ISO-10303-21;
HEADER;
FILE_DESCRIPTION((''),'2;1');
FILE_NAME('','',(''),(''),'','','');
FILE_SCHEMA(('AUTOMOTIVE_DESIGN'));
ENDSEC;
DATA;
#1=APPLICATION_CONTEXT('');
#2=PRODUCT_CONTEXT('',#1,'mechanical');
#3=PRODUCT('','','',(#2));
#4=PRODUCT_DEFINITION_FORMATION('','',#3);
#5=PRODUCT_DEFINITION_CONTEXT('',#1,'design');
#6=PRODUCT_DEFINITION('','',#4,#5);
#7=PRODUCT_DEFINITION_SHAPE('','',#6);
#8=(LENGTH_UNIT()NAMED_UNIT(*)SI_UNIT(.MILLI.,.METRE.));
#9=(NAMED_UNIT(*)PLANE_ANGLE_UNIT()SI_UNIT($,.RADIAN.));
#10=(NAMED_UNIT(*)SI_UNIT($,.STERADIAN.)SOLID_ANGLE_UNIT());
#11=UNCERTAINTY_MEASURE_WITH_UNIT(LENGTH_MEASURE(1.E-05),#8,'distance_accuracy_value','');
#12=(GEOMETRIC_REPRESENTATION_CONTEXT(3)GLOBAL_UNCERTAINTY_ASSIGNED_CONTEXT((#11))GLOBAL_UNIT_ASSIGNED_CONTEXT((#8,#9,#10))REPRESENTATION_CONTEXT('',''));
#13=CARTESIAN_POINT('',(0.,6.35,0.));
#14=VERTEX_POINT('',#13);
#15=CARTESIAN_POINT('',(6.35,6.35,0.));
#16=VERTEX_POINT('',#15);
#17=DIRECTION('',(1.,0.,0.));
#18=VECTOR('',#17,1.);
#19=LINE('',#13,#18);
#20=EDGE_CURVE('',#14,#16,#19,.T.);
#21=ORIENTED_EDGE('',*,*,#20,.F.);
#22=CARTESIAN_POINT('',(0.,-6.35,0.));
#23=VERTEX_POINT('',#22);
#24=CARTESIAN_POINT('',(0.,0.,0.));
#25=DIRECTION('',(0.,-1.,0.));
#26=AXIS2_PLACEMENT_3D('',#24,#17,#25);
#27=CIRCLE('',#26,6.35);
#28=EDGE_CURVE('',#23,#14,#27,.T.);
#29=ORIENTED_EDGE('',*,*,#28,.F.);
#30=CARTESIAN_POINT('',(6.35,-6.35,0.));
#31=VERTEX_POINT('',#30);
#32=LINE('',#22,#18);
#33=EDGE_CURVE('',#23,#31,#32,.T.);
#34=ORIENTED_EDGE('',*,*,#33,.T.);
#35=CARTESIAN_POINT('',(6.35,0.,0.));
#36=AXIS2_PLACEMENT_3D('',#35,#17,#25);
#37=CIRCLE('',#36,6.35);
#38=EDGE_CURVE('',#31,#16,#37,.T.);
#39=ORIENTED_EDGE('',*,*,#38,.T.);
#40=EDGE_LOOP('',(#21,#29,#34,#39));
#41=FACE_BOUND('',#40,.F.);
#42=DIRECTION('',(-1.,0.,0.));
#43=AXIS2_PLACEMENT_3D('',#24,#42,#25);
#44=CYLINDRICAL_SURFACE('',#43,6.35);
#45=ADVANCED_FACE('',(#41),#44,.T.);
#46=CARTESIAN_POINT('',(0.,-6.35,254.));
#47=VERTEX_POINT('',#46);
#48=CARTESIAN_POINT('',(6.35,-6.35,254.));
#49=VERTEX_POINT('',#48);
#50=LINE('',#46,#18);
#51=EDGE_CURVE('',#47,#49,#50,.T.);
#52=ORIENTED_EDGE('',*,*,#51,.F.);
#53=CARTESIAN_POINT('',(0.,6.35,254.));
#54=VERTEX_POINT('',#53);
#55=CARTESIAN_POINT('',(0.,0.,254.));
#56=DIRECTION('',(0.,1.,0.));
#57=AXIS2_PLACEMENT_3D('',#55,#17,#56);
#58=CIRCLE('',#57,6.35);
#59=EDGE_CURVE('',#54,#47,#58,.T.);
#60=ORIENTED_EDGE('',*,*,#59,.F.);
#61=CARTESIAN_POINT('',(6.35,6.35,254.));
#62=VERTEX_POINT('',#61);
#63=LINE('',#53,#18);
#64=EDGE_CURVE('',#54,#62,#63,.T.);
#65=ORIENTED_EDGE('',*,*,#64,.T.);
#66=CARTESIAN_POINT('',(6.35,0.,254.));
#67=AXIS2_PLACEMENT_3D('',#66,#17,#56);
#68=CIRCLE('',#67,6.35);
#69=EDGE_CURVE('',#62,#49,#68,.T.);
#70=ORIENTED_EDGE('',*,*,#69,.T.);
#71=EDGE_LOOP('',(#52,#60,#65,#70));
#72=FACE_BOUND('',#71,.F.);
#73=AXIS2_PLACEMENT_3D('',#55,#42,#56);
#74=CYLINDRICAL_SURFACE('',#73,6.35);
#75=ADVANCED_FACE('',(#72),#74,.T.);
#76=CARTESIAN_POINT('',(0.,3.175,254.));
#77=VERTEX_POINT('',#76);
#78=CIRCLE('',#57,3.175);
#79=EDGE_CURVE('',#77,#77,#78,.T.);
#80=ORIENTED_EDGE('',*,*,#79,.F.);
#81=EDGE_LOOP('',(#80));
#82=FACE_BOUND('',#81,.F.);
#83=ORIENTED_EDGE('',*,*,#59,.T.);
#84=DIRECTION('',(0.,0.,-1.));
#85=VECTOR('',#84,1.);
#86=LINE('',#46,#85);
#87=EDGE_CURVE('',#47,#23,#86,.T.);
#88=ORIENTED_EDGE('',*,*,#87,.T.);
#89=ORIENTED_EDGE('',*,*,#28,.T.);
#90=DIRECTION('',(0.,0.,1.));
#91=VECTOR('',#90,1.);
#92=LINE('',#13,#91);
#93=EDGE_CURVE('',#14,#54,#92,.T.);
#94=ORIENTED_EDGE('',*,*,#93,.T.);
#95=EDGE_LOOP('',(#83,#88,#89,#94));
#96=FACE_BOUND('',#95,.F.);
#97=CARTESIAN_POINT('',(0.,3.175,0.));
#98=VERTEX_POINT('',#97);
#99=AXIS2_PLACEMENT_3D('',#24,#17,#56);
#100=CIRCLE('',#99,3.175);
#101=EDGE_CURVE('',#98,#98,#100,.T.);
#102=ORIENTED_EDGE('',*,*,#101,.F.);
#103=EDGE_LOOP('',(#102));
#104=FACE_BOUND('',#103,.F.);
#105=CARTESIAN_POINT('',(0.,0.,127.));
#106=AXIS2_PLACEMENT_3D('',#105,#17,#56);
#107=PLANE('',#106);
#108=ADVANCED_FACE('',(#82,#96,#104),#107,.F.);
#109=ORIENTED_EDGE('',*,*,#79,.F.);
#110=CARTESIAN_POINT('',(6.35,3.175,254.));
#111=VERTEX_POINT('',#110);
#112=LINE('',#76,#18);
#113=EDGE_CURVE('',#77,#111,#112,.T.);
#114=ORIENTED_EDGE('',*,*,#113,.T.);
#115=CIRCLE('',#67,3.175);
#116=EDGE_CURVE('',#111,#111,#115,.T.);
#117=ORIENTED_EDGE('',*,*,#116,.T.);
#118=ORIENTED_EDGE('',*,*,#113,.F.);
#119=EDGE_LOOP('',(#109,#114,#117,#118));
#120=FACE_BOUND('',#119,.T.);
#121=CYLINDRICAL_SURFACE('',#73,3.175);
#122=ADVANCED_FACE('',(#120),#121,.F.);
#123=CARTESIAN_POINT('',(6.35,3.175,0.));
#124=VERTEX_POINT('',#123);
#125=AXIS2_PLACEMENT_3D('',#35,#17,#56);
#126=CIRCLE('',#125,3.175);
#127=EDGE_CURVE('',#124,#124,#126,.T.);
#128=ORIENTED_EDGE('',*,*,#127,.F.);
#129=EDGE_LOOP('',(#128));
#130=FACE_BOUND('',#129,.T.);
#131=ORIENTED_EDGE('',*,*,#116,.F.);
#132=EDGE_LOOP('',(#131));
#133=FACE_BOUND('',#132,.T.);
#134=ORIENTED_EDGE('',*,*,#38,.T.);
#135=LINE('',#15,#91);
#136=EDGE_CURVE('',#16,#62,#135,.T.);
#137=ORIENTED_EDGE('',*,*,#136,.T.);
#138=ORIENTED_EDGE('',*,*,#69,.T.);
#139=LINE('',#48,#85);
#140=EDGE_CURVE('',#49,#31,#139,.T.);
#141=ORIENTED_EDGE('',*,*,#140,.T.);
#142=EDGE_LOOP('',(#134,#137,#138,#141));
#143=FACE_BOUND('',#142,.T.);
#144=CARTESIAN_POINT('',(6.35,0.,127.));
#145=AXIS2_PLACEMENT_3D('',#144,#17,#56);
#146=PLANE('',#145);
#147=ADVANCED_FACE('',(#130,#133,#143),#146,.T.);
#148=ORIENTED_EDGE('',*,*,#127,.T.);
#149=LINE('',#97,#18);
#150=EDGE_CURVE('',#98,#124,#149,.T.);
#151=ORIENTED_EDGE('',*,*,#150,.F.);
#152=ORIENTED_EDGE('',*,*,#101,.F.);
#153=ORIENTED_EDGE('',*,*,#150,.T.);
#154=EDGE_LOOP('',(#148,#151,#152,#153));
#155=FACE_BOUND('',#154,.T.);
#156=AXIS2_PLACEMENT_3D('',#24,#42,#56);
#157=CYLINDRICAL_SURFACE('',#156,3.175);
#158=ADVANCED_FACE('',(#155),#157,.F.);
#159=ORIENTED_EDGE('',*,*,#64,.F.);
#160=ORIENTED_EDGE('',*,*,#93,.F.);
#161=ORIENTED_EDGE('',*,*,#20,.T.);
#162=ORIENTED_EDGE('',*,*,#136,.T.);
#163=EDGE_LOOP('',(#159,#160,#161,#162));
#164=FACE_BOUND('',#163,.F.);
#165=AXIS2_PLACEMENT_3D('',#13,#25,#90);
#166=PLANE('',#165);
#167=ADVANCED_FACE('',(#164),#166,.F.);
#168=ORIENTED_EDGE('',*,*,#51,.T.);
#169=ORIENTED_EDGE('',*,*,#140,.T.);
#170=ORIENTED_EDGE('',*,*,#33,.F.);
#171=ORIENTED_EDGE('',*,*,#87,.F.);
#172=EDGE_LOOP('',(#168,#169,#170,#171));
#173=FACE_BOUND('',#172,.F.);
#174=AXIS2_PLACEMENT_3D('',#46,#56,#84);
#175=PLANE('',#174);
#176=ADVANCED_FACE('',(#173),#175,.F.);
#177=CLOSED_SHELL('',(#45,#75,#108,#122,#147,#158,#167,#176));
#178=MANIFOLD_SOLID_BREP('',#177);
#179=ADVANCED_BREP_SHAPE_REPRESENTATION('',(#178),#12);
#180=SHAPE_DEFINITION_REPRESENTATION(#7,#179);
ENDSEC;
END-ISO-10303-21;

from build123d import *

# Parameters (mm, degrees)
F0_R     = 3.175
F1_DEPTH = 6.35


with BuildPart() as f1:
    # F0 (on Right) → F1 (new body)
    with BuildSketch(Plane.YZ):
        with BuildLine():
            Line((6.35, 0), (6.35, 254))
            ThreePointArc((6.35, 254), (0, 260.35), (-6.35, 254))
            Line((-6.35, 254), (-6.35, 0))
            ThreePointArc((-6.35, 0), (0, -6.35), (6.35, 0))
        make_face()
        Circle(F0_R, mode=Mode.SUBTRACT)
        with Locations((0, 254)):
            Circle(F0_R, mode=Mode.SUBTRACT)
    extrude(amount=F1_DEPTH)


solid = f1.part
